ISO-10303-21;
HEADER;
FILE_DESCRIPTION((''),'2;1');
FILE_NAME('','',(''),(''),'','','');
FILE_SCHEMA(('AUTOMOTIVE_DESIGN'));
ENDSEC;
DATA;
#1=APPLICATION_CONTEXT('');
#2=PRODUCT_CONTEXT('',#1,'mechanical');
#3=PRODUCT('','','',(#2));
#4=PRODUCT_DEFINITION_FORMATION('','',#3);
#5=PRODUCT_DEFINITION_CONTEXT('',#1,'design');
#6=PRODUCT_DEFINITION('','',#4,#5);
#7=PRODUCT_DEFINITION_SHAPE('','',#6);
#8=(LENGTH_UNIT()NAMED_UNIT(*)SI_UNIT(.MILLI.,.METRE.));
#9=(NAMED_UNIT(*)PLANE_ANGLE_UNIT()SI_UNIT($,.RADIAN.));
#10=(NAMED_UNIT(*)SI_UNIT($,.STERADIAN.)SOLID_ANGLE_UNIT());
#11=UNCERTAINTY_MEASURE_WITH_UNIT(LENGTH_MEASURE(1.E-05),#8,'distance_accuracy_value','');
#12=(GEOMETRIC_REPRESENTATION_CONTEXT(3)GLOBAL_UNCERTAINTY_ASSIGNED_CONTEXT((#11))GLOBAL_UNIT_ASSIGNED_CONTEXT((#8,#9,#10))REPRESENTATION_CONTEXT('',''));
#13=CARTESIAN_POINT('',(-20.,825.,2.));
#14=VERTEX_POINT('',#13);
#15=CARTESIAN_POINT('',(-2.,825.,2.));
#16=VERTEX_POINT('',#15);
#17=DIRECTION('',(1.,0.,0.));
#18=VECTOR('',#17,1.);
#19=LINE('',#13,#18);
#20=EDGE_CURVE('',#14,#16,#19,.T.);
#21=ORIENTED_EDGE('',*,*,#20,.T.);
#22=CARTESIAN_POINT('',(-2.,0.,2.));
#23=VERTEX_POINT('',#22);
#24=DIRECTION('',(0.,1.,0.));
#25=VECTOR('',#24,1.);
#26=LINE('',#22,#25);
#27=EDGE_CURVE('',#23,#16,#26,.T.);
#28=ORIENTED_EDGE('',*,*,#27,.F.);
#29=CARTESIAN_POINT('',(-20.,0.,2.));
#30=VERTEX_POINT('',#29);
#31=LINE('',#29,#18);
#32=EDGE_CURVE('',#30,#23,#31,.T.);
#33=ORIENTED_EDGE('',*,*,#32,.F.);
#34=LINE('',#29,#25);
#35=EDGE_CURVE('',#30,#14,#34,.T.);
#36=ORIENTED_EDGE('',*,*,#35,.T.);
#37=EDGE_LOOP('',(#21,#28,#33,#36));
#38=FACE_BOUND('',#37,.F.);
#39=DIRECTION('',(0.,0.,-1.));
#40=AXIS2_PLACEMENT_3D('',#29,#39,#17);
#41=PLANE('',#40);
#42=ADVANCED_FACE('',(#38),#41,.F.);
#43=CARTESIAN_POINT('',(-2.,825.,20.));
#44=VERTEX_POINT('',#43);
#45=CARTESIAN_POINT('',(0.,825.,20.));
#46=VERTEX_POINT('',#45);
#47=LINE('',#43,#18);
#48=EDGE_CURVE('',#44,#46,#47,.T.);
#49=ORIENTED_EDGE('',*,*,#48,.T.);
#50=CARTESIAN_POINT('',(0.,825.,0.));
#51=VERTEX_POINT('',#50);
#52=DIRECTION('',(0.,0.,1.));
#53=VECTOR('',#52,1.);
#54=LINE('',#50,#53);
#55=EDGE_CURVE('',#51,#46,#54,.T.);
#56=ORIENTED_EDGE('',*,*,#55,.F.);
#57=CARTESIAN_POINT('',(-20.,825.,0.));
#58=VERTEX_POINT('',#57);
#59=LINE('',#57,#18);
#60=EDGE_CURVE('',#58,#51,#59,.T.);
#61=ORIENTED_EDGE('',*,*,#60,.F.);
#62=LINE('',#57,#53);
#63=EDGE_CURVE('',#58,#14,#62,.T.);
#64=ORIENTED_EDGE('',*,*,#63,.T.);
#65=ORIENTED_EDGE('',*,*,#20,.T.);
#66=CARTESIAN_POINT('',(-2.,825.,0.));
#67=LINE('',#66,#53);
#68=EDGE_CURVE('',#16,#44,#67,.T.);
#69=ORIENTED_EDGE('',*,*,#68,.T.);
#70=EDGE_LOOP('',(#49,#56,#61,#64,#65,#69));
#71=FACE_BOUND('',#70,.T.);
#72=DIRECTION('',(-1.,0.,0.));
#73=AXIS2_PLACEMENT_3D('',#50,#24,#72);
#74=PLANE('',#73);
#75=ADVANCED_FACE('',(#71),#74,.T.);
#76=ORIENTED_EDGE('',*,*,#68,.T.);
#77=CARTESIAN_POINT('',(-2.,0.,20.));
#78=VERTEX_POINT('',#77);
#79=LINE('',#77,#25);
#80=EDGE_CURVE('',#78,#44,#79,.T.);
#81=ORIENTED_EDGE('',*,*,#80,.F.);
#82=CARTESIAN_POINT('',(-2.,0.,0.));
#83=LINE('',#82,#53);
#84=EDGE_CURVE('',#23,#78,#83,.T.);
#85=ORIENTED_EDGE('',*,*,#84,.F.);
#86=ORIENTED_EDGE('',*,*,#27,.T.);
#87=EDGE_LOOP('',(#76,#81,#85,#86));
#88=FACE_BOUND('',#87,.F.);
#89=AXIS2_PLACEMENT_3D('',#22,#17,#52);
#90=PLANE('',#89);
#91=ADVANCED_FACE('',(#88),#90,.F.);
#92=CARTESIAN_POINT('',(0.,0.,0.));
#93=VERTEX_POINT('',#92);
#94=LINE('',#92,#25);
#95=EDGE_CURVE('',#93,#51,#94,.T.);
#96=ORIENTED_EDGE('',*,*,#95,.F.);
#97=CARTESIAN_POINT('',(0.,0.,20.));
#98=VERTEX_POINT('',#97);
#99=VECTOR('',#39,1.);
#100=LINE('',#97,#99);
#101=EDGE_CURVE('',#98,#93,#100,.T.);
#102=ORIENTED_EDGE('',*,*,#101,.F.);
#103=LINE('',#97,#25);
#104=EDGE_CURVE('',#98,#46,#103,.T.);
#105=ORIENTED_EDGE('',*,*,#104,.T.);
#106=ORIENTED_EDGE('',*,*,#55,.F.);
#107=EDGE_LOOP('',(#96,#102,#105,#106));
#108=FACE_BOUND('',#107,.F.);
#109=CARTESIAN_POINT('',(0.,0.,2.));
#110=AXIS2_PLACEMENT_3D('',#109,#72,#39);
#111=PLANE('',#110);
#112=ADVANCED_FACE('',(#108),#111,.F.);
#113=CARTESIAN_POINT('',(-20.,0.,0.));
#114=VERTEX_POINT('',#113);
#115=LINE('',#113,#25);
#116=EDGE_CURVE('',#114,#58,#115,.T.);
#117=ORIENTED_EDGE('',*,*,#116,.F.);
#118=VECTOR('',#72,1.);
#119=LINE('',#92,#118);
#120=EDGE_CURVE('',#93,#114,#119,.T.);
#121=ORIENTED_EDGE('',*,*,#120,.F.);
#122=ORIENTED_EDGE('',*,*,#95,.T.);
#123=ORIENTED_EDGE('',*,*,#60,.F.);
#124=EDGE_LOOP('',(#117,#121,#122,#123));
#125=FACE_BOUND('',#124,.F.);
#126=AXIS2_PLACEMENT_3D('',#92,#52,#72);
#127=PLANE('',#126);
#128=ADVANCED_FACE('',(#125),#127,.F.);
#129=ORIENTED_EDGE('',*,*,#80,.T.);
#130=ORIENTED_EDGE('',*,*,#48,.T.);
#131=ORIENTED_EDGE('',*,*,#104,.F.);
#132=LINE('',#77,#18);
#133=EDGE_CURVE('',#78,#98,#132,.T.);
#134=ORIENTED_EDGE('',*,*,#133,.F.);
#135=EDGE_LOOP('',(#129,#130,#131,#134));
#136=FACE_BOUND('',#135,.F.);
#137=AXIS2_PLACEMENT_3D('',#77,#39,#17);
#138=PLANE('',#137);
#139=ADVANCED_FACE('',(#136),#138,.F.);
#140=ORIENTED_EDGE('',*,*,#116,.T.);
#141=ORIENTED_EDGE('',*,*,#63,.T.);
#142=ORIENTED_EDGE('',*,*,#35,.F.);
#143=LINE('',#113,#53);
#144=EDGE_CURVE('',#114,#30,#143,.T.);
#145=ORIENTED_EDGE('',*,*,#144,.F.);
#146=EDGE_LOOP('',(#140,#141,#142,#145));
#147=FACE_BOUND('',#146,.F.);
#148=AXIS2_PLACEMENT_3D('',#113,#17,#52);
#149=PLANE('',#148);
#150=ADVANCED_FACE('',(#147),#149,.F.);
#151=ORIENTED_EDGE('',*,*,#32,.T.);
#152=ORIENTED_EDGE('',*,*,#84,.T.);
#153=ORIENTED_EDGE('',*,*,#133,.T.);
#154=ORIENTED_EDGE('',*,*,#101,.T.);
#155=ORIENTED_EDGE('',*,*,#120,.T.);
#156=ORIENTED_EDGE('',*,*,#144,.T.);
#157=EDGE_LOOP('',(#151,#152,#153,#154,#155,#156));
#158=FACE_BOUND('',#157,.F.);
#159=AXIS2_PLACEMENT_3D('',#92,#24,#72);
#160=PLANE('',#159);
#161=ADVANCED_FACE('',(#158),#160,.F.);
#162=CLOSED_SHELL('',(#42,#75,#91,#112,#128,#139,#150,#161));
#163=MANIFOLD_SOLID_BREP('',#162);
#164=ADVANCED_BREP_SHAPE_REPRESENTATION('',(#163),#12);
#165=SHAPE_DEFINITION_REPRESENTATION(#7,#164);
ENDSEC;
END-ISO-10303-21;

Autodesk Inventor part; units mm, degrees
ref_plane "YZ Plane" through (0, 0, 0) normal (1, 0, 0) x (0, 1, 0)
ref_plane "XZ Plane" through (0, 0, 0) normal (0, 1, 0) x (-1, 0, 0)
ref_plane "XY Plane" through (0, 0, 0) normal (0, 0, 1) x (1, 0, 0)
sketch "Sketch1" plane through (0, 0, 0) normal (0, 1, 0) x (-1, 0, 0)
  line L0 (0, 0) -> (20, 0)
  line L1 (20, 0) -> (20, 2)
  line L2 (20, 2) -> (0, 2)
  line L3 (0, 2) -> (0, 0)
  line L4 (0, 0) -> (2, 0)
  line L5 (2, 0) -> (2, 20)
  line L6 (2, 20) -> (0, 20)
  line L7 (0, 20) -> (0, 0)
  dimension "d0" = 20
  dimension "d1" = 2
  dimension "d2" = 2
  dimension "d3" = 20
extrude "Extrusion1" add sketch "Sketch1" along normal blind 825
properties part number "L Rail"
